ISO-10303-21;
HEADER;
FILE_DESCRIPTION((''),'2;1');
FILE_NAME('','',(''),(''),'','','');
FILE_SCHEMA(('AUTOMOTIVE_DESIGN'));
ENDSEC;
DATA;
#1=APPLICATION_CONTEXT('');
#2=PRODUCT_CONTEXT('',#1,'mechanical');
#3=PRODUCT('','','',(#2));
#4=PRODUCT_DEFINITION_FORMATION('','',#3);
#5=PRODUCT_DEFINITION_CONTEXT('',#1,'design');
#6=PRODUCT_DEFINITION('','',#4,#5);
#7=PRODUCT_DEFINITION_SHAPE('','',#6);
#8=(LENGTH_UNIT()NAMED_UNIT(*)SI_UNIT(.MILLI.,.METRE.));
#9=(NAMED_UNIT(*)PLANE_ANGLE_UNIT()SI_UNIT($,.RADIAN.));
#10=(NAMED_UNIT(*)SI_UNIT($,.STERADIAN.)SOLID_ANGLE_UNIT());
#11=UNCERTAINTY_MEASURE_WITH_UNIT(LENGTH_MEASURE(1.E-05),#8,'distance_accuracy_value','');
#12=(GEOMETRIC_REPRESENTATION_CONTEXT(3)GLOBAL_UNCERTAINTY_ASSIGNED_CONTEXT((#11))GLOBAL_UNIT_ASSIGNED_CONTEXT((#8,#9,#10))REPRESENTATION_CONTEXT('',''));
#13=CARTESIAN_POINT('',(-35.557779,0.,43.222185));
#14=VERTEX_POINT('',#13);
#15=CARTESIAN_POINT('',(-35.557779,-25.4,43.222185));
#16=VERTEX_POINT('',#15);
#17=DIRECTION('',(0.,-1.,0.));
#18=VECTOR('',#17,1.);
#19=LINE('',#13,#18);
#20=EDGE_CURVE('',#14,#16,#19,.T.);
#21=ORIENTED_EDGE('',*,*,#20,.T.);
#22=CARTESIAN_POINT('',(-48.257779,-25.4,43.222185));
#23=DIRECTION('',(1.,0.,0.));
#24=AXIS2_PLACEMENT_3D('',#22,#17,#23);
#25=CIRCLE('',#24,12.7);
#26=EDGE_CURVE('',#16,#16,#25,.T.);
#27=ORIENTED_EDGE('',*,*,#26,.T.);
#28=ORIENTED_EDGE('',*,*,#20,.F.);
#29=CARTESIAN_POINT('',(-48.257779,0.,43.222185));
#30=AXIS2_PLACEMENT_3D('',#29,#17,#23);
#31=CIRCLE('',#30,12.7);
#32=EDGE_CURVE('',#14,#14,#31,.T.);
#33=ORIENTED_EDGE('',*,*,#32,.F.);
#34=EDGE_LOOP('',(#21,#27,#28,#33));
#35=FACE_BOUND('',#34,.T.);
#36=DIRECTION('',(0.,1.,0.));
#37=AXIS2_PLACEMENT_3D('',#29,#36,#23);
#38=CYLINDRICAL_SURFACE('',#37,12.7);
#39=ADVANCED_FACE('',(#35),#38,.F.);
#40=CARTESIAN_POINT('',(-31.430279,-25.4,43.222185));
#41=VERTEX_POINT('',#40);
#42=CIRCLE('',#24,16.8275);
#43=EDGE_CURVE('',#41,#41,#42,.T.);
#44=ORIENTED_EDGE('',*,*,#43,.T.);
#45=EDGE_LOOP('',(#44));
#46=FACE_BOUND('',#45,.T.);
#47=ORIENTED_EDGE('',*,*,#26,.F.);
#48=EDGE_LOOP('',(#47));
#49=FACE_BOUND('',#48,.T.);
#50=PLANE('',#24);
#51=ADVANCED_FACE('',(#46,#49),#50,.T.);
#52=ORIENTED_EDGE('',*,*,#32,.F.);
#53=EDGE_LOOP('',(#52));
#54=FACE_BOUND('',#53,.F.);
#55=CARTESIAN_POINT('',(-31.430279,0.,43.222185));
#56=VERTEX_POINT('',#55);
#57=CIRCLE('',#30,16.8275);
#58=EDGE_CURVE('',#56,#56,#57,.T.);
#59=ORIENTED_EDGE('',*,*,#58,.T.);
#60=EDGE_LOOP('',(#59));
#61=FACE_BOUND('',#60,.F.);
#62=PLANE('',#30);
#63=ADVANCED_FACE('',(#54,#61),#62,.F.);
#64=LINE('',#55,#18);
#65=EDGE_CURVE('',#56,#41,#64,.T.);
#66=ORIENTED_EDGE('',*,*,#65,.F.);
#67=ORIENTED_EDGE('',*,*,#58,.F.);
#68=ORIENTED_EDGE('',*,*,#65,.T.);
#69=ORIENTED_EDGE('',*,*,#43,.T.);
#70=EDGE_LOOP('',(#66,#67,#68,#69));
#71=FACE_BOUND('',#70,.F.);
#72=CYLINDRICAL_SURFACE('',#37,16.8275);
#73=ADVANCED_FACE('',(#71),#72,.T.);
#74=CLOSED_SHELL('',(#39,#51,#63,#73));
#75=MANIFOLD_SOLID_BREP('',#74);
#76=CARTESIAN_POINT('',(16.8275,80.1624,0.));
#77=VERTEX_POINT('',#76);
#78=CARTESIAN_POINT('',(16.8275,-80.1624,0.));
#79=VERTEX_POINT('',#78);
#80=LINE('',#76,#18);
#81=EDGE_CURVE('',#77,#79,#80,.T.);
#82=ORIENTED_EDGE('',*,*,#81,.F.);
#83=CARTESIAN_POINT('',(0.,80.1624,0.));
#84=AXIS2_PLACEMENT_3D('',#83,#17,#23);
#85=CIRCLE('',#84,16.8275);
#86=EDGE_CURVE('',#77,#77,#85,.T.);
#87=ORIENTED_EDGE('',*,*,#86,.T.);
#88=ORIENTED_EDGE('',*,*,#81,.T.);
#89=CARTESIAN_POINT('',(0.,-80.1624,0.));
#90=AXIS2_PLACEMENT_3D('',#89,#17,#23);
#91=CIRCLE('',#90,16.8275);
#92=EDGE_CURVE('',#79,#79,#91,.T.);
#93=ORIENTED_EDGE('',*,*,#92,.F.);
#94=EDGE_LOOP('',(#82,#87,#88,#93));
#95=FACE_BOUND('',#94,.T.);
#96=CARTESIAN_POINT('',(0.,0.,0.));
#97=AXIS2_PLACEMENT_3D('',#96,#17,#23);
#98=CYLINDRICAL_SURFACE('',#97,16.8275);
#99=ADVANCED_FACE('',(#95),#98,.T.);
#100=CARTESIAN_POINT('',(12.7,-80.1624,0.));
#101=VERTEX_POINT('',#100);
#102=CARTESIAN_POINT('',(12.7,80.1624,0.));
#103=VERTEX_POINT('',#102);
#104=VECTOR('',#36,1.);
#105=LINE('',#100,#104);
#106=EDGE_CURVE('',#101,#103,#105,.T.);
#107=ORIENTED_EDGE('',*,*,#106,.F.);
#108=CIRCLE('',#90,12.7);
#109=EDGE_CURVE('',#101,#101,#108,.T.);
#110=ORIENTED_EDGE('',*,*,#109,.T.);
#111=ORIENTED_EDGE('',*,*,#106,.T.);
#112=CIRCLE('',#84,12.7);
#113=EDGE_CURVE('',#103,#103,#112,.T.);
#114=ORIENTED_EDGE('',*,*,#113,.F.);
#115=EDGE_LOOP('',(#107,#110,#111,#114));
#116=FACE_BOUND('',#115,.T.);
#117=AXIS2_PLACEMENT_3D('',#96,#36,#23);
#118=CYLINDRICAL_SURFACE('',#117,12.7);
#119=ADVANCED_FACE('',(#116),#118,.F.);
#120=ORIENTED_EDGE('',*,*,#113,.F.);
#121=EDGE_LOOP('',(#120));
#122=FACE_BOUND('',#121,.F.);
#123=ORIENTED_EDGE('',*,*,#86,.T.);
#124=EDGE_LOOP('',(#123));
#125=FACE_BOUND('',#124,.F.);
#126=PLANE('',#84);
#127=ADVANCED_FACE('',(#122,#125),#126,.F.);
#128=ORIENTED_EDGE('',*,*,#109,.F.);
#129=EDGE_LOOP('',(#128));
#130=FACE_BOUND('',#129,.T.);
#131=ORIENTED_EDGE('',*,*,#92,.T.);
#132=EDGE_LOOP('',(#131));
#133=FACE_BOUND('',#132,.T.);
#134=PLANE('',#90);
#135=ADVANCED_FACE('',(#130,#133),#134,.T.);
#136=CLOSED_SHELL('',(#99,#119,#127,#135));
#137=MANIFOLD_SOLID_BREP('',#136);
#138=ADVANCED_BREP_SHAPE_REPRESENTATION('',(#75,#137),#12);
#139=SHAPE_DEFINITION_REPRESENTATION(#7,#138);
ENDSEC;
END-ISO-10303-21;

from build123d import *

# Parameters (mm, degrees)
F0_R     = 16.8275
F0_R_2   = 12.7
F1_DEPTH = 80.1624
F2_R     = 16.8275
F2_R_2   = 12.7
F3_DEPTH = 25.4


with BuildPart() as f1:
    # F0 (on Front) → F1 (new body, symmetric)
    with BuildSketch(Plane.XZ):
        Circle(F0_R)
        Circle(F0_R_2, mode=Mode.SUBTRACT)
    extrude(amount=F1_DEPTH, both=True)


with BuildPart() as f3:
    # F2 (on Front) → F3 (new body)
    with BuildSketch(Plane.XZ):
        with Locations((-48.257779, 43.222185)):
            Circle(F2_R)
        with Locations((-48.257779, 43.222185)):
            Circle(F2_R_2, mode=Mode.SUBTRACT)
    extrude(amount=F3_DEPTH)


solid = Compound([f1.part, f3.part])
